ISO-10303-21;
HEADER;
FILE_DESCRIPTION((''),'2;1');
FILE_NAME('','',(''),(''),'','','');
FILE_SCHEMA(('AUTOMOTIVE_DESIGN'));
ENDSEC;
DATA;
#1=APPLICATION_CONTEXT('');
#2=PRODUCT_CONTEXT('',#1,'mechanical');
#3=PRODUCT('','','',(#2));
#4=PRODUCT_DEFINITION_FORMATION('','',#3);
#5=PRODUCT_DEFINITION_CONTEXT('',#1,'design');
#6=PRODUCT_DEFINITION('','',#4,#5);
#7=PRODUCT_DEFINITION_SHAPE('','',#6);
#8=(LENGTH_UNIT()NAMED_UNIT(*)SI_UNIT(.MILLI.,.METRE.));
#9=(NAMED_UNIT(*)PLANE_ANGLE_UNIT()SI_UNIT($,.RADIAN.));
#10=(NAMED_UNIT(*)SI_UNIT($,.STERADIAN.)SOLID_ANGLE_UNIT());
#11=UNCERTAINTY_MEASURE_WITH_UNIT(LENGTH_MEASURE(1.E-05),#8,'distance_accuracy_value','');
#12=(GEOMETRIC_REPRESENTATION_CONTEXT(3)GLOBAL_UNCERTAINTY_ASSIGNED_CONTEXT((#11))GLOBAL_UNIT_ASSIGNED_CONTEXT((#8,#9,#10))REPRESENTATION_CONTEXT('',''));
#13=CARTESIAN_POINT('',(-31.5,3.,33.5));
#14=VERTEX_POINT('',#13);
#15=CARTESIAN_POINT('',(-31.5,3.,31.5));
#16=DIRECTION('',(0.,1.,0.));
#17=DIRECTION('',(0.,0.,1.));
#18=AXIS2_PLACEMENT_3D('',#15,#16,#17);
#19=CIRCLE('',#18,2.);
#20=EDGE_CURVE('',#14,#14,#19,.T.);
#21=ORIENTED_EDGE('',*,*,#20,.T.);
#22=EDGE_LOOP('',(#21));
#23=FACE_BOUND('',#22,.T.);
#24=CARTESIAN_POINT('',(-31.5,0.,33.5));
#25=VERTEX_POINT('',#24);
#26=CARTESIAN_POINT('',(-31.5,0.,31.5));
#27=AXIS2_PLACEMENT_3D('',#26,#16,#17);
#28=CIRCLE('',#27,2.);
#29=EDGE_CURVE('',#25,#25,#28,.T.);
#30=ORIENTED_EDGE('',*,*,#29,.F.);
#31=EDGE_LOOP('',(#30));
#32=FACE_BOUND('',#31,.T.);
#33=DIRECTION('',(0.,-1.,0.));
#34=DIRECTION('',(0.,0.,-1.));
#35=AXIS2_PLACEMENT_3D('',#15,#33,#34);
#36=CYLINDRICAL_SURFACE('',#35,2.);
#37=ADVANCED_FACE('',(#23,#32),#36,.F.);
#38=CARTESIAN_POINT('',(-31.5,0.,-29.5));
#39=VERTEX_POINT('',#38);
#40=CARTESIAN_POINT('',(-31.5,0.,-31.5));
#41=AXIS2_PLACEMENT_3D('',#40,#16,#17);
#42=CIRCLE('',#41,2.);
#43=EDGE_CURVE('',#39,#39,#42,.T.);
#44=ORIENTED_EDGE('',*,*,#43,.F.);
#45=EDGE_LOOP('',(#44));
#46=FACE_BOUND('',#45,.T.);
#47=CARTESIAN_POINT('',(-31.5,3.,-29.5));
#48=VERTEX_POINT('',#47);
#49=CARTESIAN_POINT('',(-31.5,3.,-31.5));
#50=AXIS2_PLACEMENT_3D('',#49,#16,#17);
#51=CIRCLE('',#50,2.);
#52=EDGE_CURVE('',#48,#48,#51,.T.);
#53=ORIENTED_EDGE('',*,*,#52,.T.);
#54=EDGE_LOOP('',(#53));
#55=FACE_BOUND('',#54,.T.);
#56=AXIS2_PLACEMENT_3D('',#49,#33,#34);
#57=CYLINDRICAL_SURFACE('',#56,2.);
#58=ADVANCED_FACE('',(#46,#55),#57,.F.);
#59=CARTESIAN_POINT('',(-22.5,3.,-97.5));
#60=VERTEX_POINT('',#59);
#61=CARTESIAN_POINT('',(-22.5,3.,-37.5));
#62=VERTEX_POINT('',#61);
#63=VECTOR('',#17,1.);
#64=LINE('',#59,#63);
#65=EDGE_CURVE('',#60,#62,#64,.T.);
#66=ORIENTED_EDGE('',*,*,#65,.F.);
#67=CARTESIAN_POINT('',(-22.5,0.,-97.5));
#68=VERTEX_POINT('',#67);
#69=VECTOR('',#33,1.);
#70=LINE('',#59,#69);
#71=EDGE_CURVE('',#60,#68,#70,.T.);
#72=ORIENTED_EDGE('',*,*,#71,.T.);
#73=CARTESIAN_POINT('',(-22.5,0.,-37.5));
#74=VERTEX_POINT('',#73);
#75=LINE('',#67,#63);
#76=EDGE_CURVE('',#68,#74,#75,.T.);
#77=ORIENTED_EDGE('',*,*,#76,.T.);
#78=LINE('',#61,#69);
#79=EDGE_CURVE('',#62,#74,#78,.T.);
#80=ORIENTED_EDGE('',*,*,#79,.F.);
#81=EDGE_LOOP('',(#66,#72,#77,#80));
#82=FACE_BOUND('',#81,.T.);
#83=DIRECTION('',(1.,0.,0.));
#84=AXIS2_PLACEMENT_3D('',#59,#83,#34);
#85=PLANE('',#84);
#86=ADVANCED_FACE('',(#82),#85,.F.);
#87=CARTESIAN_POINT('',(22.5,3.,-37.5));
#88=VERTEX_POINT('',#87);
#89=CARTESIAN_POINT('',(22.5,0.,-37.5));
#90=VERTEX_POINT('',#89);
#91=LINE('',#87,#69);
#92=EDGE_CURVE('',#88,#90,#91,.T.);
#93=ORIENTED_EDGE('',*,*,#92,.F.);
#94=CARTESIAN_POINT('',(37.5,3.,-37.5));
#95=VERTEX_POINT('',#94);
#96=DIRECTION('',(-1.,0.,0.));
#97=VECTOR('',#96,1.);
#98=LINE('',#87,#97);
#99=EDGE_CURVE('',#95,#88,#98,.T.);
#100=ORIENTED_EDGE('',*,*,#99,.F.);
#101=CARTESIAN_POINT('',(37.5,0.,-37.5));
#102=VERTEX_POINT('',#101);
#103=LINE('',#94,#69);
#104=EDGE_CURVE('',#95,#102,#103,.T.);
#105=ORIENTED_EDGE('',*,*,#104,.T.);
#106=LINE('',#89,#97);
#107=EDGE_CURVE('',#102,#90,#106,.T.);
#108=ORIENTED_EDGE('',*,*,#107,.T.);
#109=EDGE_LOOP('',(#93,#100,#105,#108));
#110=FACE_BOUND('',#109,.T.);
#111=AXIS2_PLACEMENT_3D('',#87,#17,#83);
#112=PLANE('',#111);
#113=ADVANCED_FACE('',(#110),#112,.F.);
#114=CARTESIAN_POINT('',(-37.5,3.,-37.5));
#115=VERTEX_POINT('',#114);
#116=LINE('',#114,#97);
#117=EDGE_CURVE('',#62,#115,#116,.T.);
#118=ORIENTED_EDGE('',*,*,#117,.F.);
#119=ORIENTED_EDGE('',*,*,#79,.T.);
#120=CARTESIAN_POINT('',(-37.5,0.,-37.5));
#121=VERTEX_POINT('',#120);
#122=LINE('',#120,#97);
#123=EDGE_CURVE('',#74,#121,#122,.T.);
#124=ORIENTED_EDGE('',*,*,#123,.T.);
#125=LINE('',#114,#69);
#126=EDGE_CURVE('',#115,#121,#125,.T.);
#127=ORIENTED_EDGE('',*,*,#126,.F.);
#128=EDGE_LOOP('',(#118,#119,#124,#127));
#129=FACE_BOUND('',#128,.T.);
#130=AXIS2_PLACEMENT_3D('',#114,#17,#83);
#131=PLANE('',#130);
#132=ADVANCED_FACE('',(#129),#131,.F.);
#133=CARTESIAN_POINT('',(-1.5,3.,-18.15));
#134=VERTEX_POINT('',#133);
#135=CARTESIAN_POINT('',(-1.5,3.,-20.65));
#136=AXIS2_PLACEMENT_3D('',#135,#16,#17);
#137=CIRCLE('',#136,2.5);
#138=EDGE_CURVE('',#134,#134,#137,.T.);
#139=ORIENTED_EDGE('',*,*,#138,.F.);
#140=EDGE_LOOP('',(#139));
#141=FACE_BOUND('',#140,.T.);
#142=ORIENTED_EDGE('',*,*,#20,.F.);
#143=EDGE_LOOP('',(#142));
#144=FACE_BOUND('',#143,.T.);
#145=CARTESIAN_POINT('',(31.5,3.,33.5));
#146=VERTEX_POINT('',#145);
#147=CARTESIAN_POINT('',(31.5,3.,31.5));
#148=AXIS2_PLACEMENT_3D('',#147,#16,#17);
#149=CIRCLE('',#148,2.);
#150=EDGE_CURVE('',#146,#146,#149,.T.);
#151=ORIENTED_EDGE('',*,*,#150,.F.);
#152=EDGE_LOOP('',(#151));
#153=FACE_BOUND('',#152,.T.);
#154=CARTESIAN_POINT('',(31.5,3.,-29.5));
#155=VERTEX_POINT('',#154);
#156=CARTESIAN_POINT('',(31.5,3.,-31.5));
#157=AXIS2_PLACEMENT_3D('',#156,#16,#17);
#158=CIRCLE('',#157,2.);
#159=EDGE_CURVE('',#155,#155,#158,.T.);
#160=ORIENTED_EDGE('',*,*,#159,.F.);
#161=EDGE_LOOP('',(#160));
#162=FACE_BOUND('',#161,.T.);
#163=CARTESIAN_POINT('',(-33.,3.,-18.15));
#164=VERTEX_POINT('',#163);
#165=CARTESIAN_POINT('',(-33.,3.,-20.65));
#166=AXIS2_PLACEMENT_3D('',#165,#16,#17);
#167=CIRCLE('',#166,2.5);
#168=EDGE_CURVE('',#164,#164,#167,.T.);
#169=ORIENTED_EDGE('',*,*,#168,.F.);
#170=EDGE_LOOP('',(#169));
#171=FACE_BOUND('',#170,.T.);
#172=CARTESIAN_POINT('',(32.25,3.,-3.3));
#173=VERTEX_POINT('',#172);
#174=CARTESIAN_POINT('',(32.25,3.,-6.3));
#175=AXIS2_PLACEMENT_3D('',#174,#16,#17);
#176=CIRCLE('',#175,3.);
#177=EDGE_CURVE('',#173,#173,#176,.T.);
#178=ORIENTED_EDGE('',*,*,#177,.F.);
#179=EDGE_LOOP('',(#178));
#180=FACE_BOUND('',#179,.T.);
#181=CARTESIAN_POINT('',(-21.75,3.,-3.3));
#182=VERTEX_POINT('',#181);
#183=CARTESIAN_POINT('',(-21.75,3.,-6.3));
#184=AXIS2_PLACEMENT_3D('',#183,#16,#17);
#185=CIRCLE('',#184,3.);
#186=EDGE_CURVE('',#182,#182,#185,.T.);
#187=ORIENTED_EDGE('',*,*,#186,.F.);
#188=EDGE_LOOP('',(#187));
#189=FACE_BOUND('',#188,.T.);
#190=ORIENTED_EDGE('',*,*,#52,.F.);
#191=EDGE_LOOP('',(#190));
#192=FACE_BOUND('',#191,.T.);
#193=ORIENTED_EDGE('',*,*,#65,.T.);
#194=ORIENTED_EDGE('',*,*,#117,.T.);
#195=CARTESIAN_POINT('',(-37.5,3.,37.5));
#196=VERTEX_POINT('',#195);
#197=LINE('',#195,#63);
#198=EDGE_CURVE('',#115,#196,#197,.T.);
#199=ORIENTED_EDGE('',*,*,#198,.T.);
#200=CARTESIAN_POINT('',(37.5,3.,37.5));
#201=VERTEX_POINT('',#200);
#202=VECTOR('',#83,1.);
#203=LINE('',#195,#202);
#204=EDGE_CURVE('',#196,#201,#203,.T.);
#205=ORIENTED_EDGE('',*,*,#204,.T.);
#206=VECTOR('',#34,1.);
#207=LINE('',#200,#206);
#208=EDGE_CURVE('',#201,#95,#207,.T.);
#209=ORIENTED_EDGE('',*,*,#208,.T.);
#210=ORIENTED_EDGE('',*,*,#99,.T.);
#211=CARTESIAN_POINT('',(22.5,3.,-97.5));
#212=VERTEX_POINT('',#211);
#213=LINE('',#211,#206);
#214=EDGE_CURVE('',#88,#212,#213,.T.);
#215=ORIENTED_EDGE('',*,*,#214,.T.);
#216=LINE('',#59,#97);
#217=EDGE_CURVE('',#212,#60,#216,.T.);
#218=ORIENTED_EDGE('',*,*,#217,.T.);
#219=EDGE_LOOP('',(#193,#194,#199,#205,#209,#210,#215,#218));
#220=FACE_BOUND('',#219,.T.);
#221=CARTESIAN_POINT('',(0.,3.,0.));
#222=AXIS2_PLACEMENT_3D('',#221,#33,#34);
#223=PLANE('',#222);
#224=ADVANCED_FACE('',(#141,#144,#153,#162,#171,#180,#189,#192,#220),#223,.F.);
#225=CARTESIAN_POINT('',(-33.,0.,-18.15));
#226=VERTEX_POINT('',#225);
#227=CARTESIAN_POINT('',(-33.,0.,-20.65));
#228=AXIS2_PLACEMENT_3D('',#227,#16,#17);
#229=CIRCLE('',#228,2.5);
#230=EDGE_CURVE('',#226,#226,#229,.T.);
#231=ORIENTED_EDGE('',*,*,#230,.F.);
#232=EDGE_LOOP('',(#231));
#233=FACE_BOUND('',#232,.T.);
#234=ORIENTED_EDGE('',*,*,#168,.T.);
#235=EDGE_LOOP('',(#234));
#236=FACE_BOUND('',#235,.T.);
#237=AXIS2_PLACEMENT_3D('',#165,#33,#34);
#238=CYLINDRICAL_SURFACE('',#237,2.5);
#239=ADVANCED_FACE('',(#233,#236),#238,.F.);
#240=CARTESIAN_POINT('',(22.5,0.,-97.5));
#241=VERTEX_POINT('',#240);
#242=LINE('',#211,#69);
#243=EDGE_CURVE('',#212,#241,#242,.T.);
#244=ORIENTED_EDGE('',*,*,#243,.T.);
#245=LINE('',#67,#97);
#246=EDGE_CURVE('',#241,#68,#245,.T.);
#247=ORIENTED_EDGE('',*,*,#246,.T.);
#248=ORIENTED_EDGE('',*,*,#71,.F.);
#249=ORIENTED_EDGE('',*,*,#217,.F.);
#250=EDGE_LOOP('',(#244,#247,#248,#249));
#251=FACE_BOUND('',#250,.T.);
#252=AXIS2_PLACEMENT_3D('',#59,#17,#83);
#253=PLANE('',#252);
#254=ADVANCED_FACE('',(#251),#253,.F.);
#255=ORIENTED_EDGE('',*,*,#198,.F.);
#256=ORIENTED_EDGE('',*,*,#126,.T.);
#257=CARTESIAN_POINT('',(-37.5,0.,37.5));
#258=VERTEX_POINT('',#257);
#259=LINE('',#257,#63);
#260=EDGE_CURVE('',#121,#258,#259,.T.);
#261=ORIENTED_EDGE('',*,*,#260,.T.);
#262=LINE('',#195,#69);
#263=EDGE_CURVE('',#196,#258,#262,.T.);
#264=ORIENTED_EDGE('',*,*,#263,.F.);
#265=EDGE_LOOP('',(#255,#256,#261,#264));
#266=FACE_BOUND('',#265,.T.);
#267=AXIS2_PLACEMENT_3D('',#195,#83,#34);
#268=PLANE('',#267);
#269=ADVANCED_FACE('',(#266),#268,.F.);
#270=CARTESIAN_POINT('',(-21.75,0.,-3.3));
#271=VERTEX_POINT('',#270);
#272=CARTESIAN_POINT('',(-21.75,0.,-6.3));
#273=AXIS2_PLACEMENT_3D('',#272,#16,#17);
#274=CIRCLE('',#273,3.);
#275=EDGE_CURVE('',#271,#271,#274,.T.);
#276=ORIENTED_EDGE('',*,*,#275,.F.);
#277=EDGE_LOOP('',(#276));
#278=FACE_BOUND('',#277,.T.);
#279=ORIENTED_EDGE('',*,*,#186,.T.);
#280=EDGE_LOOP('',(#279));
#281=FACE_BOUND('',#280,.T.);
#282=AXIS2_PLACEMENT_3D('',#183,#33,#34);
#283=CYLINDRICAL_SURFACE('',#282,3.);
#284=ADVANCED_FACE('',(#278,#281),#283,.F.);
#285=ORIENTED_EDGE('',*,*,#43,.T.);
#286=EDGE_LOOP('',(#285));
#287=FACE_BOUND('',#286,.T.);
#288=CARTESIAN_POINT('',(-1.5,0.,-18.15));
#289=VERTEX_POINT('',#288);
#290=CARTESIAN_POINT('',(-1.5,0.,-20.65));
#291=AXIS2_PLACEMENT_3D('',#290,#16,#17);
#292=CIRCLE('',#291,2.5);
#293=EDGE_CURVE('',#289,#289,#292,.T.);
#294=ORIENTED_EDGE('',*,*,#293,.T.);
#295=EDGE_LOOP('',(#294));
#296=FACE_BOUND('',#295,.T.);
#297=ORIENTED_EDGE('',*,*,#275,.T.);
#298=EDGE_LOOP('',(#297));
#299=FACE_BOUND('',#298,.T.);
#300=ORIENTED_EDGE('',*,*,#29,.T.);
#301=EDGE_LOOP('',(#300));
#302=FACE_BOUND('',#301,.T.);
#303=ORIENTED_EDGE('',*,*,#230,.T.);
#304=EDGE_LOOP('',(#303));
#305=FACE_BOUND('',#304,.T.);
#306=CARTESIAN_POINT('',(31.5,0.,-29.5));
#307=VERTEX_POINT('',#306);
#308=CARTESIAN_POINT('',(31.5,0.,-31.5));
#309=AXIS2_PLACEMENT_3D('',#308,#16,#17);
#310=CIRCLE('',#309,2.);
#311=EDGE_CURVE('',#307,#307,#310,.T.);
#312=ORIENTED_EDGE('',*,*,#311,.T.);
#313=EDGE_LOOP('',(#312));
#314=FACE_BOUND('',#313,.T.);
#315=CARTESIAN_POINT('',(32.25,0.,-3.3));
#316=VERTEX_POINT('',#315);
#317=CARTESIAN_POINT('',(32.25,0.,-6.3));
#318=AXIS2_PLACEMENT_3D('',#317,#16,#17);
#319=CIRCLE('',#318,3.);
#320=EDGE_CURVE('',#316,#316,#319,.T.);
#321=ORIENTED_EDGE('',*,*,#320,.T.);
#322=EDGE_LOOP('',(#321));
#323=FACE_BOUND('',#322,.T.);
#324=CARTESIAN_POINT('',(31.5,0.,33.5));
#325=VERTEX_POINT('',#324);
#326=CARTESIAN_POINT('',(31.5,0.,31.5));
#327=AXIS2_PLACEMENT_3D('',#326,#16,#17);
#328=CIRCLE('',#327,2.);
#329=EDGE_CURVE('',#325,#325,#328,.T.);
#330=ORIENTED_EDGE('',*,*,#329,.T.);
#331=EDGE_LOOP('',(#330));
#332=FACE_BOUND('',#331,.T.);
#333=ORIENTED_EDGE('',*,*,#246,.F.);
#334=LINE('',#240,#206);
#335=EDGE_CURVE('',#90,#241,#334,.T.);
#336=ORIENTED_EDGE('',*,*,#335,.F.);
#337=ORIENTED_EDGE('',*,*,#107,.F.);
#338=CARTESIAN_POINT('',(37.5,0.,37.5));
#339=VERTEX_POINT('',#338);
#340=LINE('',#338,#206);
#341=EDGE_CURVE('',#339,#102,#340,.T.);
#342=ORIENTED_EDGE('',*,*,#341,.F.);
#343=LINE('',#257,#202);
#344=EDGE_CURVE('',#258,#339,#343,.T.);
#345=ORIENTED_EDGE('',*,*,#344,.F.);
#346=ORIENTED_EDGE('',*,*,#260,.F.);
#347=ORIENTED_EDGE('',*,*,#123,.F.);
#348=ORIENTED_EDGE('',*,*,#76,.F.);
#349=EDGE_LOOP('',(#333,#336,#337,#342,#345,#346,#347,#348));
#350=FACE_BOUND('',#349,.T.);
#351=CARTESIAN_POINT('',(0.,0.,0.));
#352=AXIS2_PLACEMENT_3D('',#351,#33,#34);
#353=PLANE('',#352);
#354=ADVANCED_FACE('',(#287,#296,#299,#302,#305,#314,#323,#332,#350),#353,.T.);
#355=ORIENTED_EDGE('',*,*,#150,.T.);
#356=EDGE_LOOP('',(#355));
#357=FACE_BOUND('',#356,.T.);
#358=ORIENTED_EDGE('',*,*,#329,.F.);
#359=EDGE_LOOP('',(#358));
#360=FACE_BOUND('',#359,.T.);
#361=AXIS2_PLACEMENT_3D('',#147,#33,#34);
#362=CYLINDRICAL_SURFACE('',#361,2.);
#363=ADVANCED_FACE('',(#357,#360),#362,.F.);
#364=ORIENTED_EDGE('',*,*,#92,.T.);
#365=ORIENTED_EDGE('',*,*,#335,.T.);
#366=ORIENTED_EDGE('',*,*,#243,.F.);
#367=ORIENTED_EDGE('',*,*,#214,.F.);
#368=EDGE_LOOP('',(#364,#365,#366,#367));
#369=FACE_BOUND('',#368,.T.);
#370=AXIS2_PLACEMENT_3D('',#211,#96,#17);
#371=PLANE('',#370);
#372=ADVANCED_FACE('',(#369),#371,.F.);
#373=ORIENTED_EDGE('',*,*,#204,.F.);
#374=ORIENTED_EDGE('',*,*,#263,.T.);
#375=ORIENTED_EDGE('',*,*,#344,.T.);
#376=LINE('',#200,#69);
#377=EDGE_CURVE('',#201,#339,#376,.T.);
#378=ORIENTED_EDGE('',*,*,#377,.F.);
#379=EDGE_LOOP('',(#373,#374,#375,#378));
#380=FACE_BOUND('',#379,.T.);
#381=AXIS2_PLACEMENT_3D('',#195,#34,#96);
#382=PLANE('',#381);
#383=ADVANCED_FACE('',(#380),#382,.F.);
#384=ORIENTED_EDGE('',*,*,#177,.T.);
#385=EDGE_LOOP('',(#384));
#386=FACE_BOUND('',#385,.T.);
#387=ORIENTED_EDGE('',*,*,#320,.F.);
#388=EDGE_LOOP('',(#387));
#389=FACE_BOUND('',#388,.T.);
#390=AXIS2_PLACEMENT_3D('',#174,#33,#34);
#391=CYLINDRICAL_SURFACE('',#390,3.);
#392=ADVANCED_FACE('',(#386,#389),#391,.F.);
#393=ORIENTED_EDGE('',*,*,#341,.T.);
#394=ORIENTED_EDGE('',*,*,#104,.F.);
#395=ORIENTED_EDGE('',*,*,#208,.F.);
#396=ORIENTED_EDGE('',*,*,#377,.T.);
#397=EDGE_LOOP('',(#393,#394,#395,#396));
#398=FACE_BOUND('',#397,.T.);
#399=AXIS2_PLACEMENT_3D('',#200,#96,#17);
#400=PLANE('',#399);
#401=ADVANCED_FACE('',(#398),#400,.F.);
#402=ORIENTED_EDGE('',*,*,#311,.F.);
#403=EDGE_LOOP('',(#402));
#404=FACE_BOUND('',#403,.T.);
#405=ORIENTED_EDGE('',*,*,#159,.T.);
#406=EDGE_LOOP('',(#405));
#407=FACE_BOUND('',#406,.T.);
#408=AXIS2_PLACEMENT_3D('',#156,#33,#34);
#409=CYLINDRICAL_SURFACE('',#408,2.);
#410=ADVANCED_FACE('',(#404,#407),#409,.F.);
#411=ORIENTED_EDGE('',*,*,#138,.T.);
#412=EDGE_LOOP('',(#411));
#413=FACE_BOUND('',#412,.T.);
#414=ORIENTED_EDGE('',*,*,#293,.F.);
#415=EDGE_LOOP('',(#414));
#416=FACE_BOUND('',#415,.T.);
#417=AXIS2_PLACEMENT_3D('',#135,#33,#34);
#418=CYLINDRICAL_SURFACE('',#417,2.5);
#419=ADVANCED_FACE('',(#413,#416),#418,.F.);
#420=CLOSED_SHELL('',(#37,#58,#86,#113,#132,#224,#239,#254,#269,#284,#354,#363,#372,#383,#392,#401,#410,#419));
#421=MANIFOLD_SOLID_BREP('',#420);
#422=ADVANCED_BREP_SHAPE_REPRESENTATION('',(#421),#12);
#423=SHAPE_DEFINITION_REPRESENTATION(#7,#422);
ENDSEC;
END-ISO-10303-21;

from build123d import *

# Parameters (mm, degrees)
SKETCH1_R           = 2
SKETCH1_R_2         = 3
SKETCH1_R_3         = 2.5
BOSS_EXTRUDE1_DEPTH = 3


with BuildPart() as part:
    # Sketch1 → Boss-Extrude1 (new body)
    with BuildSketch(Plane(origin=(0, 0, 0), x_dir=(1, 0, 0), z_dir=(0, 1, 0))):
        Polygon((22.5, 37.5), (37.5, 37.5), (37.5, -37.5), (-37.5, -37.5), (-37.5, 37.5), (-22.5, 37.5), (-22.5, 97.5), (22.5, 97.5), align=None)
        with Locations((31.5, 31.5)):
            Circle(SKETCH1_R, mode=Mode.SUBTRACT)
        with Locations((31.5, -31.5)):
            Circle(SKETCH1_R, mode=Mode.SUBTRACT)
        with Locations((-31.5, -31.5)):
            Circle(SKETCH1_R, mode=Mode.SUBTRACT)
        with Locations((-31.5, 31.5)):
            Circle(SKETCH1_R, mode=Mode.SUBTRACT)
        with Locations((32.25, 6.3)):
            Circle(SKETCH1_R_2, mode=Mode.SUBTRACT)
        with Locations((-21.75, 6.3)):
            Circle(SKETCH1_R_2, mode=Mode.SUBTRACT)
        with Locations((-33, 20.65)):
            Circle(SKETCH1_R_3, mode=Mode.SUBTRACT)
        with Locations((-1.5, 20.65)):
            Circle(SKETCH1_R_3, mode=Mode.SUBTRACT)
    extrude(amount=BOSS_EXTRUDE1_DEPTH)


solid = part.part
